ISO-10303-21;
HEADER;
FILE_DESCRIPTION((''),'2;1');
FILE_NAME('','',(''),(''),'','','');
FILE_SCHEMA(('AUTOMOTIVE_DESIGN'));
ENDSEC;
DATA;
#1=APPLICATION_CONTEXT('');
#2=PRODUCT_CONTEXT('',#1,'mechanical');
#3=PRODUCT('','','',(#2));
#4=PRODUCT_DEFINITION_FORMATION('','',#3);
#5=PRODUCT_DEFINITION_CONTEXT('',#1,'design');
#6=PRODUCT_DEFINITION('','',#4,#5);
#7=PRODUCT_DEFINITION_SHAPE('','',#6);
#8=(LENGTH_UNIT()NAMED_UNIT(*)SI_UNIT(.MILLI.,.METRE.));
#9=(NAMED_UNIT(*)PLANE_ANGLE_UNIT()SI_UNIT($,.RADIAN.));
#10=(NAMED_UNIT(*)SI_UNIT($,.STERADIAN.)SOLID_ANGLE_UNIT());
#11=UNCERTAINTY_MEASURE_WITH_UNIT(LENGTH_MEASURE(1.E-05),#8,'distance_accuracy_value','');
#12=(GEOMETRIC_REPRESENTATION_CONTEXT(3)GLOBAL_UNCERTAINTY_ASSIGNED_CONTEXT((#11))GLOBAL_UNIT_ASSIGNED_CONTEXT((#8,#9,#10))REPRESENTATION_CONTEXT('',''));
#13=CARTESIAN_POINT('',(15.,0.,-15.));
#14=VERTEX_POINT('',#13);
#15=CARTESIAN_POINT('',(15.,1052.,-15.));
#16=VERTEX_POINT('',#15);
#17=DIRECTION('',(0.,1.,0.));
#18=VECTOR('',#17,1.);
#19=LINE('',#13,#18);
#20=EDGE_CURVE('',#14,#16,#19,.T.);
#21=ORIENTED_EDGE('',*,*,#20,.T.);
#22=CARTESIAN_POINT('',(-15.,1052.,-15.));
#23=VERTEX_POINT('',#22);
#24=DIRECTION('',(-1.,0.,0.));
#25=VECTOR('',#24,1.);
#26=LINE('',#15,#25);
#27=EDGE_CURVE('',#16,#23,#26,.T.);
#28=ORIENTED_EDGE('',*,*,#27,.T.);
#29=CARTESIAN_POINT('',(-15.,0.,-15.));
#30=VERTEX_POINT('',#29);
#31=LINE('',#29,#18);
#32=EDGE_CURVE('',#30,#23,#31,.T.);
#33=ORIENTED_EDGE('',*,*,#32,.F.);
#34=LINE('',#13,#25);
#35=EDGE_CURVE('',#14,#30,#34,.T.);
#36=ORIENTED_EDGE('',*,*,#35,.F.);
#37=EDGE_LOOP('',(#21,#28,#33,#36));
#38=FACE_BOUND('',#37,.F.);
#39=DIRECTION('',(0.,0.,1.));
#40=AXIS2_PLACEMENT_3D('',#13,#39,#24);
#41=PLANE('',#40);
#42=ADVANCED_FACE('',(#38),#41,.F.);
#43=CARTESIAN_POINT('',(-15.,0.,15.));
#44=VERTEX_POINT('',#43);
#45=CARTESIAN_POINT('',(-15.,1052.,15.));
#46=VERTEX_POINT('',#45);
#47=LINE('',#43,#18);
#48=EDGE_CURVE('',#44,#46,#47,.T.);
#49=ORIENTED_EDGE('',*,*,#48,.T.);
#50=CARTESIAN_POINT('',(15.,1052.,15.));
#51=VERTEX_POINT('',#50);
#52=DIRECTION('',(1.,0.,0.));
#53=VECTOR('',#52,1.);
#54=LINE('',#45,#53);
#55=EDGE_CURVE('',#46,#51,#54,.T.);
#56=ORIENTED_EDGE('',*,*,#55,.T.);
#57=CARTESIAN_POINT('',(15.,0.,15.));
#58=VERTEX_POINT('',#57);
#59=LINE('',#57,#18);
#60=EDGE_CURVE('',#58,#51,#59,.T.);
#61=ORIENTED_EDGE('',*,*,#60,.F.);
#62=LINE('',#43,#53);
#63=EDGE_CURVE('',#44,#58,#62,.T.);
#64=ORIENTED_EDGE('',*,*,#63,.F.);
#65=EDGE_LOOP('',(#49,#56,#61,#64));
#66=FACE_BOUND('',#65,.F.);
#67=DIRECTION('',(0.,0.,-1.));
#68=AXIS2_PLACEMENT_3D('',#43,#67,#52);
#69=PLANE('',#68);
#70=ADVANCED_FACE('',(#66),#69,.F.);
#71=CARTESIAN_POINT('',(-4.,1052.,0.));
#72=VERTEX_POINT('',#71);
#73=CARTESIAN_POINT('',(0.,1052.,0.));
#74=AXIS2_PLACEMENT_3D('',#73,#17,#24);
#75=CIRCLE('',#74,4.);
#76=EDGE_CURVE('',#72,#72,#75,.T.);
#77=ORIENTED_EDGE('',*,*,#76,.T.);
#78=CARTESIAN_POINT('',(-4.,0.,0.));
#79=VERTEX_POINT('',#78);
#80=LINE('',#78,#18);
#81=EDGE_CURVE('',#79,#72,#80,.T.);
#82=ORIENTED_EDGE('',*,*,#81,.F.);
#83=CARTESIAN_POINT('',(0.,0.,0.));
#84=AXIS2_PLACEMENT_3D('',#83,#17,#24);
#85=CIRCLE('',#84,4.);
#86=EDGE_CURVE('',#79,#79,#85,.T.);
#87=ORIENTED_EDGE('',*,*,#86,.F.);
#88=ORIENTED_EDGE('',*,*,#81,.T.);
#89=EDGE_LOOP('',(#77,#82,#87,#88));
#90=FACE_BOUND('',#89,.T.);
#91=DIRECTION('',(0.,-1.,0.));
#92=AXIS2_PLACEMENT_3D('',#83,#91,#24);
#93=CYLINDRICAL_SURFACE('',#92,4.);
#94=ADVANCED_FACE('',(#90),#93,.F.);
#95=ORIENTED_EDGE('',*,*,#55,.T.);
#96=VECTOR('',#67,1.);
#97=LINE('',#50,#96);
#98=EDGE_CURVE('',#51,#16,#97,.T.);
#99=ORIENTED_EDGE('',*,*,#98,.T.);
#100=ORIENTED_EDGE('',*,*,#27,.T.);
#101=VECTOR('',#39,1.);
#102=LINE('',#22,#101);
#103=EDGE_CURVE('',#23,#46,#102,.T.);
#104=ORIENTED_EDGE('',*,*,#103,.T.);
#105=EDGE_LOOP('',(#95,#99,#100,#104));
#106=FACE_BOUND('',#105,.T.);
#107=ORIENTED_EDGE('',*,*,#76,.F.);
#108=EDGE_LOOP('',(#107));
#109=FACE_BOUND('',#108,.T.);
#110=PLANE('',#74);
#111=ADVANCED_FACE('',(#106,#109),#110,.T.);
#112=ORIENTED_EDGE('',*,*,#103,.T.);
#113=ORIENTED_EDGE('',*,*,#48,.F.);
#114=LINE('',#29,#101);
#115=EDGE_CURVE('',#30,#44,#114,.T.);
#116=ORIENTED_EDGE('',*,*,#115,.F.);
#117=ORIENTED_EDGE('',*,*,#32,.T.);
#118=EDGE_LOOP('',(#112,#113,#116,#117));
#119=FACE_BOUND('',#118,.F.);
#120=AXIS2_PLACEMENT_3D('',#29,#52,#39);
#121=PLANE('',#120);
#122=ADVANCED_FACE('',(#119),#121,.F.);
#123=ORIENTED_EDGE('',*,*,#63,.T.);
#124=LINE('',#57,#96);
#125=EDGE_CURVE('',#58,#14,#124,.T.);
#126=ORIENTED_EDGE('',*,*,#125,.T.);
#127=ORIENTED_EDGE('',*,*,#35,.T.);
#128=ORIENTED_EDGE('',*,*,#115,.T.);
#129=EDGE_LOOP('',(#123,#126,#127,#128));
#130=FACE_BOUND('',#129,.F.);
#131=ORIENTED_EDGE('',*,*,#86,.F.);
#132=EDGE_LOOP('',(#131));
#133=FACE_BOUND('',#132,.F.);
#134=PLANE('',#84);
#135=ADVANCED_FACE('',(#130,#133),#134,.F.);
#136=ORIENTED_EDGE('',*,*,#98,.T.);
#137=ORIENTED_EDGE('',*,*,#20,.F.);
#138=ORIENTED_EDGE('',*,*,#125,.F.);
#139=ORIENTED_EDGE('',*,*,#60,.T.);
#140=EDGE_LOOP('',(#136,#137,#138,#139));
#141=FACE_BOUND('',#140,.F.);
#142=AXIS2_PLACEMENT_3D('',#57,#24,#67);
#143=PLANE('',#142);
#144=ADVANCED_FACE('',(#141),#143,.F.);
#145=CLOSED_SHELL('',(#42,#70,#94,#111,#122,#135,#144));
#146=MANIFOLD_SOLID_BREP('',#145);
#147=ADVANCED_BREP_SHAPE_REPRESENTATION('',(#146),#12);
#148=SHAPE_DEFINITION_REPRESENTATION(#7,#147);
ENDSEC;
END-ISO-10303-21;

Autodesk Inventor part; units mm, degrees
ref_plane "YZ Plane" through (0, 0, 0) normal (1, 0, 0) x (0, 1, 0)
ref_plane "XZ Plane" through (0, 0, 0) normal (0, 1, 0) x (-1, 0, 0)
ref_plane "XY Plane" through (0, 0, 0) normal (0, 0, 1) x (1, 0, 0)
sketch "Boceto1" plane through (0, 0, 0) normal (0, 1, 0) x (-1, 0, 0)
  line L0 (15, 15) -> (-15, 15)
  line L1 (-15, 15) -> (-15, -15)
  line L2 (-15, -15) -> (15, -15)
  line L3 (15, -15) -> (15, 15)
  line L4 (15, 15) -> (-15, -15) construction
  circle A0 centre (0, 0) radius 4
  dimension "d0" = 30
  dimension "d1" = 8
extrude "Extrusión1" add sketch "Boceto1" along normal blind 1052
properties part number "P_3030_1500"
